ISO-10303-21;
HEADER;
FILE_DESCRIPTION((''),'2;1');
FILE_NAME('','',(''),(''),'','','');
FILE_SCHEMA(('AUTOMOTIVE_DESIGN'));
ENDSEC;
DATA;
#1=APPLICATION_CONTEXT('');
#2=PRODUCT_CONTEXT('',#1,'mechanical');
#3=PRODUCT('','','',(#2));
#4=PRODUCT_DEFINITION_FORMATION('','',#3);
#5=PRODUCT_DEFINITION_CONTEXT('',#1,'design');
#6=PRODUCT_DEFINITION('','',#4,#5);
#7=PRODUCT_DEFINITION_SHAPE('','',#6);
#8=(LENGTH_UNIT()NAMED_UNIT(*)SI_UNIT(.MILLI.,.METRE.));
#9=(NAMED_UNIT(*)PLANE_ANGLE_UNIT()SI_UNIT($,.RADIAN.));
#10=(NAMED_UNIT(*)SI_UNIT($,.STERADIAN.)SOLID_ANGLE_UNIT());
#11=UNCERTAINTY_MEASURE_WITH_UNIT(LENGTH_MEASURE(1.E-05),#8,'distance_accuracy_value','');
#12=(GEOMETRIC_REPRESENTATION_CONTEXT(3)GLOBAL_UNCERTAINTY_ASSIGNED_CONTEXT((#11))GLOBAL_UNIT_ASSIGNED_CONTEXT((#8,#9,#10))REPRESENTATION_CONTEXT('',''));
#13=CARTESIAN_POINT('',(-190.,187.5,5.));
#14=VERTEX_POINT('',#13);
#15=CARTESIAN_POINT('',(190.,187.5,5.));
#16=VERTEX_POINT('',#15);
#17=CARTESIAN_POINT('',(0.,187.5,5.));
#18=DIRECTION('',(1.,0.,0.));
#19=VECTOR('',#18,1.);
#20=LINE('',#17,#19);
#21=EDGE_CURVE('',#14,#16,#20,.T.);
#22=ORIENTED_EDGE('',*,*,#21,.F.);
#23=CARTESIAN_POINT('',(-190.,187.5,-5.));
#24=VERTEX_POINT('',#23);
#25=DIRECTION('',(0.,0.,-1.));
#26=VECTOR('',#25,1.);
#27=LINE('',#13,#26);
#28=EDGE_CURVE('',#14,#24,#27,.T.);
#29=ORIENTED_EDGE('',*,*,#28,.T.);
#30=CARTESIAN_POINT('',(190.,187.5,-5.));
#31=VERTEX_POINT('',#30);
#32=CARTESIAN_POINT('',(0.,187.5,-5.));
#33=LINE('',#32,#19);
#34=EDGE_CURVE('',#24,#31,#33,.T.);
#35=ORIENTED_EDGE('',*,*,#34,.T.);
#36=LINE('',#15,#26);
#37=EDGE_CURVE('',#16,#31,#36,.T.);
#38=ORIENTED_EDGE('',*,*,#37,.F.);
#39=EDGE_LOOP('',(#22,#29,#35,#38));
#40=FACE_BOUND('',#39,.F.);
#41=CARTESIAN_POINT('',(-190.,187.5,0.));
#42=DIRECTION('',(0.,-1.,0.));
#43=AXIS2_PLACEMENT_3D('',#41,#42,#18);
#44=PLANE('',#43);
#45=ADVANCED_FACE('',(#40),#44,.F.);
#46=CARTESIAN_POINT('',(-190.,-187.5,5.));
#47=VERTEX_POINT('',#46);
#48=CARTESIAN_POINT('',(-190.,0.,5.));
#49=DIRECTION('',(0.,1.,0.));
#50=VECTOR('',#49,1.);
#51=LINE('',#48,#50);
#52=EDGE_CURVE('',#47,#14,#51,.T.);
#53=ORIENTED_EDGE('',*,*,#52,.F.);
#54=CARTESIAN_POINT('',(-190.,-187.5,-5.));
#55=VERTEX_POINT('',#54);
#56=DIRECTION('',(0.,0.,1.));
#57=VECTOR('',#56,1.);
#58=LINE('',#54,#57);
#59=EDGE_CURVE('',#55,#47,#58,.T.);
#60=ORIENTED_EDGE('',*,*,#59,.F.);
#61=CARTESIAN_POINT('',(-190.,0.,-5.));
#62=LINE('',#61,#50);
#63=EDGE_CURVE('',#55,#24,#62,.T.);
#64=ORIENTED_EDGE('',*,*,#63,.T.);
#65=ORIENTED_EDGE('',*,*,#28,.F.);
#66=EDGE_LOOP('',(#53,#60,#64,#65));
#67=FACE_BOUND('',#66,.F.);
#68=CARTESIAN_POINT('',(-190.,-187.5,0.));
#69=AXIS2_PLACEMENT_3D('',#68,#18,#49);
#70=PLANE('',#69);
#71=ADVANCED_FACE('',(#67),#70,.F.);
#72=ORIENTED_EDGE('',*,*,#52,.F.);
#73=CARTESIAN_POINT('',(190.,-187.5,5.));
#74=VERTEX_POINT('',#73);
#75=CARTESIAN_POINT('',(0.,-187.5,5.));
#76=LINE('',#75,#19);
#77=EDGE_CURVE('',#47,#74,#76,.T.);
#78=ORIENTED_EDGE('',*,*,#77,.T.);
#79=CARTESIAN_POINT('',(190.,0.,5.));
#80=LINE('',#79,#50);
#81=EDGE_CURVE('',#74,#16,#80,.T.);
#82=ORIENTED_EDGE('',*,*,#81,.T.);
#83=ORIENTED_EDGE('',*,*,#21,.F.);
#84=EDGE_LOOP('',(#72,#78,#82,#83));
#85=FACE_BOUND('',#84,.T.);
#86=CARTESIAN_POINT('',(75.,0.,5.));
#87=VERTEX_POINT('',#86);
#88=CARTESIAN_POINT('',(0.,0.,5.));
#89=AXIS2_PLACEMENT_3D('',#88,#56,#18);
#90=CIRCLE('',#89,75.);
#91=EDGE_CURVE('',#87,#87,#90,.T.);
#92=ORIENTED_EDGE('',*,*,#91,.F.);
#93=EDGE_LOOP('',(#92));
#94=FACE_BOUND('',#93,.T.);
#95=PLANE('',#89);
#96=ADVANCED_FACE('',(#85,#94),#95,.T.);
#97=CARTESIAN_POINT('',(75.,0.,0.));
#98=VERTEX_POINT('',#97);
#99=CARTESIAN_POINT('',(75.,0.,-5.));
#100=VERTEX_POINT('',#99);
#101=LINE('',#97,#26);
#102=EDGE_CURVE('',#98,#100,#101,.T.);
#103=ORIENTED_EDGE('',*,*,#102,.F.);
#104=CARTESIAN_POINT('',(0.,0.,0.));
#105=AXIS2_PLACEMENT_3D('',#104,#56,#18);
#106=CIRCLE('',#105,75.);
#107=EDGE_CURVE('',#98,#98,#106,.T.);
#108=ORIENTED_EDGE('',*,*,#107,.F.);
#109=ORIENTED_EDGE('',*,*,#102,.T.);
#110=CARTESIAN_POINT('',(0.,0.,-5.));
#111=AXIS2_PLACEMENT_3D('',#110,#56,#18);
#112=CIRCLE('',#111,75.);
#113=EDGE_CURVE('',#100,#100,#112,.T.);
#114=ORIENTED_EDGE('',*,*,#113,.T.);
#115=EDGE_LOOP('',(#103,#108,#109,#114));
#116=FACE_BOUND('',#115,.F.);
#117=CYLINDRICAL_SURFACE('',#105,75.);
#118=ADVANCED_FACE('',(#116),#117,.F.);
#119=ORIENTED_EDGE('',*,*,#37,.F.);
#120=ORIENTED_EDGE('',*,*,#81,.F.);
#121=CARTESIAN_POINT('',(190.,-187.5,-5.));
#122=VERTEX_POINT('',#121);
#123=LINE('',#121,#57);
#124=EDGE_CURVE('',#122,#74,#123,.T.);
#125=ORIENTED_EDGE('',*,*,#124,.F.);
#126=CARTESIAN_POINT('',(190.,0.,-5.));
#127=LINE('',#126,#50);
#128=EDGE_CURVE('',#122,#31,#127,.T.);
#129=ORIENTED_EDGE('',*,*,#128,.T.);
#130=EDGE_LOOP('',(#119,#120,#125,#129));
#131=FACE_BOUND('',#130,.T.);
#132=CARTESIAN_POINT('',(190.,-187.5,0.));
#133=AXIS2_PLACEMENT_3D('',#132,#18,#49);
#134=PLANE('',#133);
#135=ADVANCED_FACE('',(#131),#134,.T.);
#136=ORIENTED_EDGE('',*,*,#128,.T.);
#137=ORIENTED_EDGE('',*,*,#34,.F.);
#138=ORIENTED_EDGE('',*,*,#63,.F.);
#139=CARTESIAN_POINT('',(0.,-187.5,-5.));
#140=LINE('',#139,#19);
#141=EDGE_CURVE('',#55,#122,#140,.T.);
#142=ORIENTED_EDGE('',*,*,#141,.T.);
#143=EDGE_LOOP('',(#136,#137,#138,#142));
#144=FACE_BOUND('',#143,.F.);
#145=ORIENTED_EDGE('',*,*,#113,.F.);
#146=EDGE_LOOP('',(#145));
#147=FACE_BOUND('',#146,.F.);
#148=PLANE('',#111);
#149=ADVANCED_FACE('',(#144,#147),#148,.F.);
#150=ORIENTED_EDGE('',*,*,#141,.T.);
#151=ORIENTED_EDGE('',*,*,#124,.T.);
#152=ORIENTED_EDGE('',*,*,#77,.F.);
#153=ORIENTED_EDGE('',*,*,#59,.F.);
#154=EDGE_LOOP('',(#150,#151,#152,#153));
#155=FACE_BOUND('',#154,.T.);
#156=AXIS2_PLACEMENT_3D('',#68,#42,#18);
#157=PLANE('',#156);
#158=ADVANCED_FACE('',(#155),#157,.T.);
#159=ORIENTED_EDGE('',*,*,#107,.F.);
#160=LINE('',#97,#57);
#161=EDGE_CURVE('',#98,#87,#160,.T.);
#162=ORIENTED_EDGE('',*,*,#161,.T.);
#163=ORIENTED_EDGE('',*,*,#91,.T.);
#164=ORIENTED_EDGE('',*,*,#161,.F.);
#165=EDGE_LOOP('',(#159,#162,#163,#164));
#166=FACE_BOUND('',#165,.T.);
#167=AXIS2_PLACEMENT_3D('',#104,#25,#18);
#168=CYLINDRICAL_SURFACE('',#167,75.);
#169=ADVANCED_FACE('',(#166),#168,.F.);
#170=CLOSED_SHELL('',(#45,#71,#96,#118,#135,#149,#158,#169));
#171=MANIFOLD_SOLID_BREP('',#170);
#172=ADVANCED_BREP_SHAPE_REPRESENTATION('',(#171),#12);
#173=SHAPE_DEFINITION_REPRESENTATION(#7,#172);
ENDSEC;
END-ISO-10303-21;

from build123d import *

# Parameters (mm, degrees)
F0_W          = 380
F0_H          = 375
F0_R          = 75
F1_DEPTH      = 5
F1_DEPTH_BACK = 5


with BuildPart() as f1:
    # F0 (on Top) → F1 (new body, two sides)
    with BuildSketch(Plane.XY) as f1_sk:
        Rectangle(F0_W, F0_H)
        Circle(F0_R, mode=Mode.SUBTRACT)
    extrude(amount=F1_DEPTH)
    extrude(f1_sk.sketch, amount=-F1_DEPTH_BACK)


solid = f1.part
